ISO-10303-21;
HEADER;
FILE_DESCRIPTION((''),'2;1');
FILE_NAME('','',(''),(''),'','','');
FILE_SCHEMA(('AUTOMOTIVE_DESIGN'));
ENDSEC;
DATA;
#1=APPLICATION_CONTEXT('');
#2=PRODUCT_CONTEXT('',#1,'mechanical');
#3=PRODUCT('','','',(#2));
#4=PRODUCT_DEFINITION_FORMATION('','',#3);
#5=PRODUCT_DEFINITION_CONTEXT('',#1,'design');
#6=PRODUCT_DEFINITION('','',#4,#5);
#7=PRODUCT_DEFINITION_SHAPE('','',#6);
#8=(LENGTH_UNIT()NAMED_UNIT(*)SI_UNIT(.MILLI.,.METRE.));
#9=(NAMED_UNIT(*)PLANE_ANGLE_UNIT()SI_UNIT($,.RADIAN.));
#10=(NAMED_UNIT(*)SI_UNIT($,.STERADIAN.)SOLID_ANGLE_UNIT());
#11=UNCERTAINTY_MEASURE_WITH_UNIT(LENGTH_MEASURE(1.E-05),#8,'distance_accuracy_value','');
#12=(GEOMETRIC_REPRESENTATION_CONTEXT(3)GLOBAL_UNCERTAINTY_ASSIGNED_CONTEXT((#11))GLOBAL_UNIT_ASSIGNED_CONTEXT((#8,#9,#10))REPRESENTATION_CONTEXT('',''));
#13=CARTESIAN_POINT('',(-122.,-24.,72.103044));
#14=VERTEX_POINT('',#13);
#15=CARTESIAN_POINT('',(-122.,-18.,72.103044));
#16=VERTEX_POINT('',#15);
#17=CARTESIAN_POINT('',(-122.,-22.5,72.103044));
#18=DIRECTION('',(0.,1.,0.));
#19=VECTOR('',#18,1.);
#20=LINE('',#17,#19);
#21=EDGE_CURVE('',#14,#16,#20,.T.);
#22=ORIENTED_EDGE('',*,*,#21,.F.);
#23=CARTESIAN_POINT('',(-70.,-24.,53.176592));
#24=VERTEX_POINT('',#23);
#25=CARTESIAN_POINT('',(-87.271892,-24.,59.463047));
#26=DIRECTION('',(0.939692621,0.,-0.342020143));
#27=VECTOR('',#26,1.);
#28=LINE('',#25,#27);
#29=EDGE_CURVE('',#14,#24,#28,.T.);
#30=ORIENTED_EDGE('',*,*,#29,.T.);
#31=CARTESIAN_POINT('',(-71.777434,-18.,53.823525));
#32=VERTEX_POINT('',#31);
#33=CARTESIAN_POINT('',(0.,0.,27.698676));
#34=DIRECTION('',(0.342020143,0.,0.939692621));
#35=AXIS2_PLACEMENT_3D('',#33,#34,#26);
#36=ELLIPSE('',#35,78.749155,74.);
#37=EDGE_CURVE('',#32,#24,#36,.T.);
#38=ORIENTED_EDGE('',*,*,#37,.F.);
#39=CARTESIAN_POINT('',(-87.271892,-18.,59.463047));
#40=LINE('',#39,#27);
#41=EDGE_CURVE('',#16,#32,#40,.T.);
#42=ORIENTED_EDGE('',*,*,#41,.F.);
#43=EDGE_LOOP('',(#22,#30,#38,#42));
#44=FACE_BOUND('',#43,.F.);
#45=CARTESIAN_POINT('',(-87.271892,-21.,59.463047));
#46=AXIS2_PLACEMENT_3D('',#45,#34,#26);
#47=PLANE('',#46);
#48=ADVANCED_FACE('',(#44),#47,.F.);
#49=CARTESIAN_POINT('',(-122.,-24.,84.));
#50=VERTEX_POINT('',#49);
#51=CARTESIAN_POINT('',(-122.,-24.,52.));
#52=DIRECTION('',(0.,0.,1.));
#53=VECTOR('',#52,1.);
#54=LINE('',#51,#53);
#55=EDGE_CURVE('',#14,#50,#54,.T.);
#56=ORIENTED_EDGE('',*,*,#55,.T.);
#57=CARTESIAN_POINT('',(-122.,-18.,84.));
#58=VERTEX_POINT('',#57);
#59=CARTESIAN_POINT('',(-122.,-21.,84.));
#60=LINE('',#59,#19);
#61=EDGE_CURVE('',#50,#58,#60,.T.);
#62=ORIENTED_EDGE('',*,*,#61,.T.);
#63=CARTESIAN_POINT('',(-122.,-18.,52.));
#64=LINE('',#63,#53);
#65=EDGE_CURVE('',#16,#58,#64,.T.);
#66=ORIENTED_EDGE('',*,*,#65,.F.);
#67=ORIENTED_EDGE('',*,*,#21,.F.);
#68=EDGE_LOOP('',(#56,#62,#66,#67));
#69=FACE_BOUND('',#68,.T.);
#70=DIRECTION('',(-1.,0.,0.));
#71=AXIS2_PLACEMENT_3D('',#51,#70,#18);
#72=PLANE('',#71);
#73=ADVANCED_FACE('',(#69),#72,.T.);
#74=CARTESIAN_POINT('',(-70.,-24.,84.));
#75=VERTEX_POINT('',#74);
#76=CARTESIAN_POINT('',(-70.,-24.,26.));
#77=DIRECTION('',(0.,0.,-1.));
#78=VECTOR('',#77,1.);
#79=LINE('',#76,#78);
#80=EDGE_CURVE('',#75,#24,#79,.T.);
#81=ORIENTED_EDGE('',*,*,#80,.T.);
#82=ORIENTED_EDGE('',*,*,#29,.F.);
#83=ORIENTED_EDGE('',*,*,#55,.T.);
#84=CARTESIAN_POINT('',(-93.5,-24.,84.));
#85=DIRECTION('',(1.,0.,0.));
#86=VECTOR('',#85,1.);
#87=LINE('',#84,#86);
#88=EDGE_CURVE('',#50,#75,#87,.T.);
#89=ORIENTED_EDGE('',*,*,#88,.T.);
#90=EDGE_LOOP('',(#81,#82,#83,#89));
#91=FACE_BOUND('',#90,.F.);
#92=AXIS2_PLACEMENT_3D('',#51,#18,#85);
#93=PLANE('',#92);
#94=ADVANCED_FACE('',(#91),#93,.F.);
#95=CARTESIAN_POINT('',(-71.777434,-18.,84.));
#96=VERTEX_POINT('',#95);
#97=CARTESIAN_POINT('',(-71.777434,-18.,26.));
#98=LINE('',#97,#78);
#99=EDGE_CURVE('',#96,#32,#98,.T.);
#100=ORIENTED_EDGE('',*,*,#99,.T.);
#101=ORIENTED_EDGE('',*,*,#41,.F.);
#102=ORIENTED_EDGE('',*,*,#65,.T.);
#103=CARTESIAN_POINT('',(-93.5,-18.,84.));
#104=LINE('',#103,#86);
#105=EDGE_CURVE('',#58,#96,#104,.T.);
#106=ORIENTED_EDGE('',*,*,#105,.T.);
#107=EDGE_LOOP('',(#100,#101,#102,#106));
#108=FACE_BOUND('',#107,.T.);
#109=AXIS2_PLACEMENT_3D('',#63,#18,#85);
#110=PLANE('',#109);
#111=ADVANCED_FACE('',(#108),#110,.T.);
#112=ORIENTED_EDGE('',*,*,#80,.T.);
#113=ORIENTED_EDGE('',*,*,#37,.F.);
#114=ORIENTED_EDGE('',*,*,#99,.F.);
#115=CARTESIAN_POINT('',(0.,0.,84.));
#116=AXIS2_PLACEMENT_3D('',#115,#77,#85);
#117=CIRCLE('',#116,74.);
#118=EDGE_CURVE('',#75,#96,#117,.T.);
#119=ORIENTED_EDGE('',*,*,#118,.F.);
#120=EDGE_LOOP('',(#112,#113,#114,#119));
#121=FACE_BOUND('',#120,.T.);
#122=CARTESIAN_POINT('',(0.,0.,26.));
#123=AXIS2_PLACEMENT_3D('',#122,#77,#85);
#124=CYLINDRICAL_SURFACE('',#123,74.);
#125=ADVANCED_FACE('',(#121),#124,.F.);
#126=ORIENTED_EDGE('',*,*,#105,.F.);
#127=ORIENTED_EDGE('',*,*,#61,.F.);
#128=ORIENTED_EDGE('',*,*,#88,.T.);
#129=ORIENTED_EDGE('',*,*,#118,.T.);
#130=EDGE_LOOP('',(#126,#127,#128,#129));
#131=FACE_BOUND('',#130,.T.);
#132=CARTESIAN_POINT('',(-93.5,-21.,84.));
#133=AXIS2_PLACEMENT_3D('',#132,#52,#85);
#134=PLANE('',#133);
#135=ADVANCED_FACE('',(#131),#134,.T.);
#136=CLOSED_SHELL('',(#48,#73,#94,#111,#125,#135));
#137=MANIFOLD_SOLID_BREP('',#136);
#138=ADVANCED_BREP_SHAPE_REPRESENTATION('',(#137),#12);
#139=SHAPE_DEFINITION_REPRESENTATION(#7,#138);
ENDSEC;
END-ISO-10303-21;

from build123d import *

# Parameters (mm, degrees)
CYLINDER1793_R         = 74
CYLINDER1793_DEPTH     = 60
BOX751_W               = 80
BOX751_H               = 6
BOX751_DEPTH           = 20
BOX751_PLACEMENT_ANGLE = 20
BOX753_W               = 57
BOX753_H               = 6
BOX753_DEPTH           = 32


with BuildPart() as v_lec1793:
    # Cylinder1793 → Cylinder1793 (new body)
    with BuildSketch(Plane.XY.offset(26)):
        Circle(CYLINDER1793_R)
    extrude(amount=CYLINDER1793_DEPTH)


with BuildPart() as krychle751:
    # Box751 → Box751 (new body)
    with BuildSketch(Plane.XY):
        with Locations((40, 3)):
            Rectangle(BOX751_W, BOX751_H)
    extrude(amount=BOX751_DEPTH)


with BuildPart() as krychle751_1:
    # Box751 placement: moved
    add(krychle751.part.moved(Location((-131.7, -24, 54.35))).rotate(Axis((-131.7, -24, 54.35), (0, 1, 0)), BOX751_PLACEMENT_ANGLE))


with BuildPart() as cut554:
    # Box753 → Box753 (new body)
    with BuildSketch(Plane(origin=(-122, -24, 52), x_dir=(1, 0, 0), z_dir=(0, 0, 1))):
        with Locations((28.5, 3)):
            Rectangle(BOX753_W, BOX753_H)
    extrude(amount=BOX753_DEPTH)

    # Cut553: cut Krychle751
    add(krychle751_1.part, mode=Mode.SUBTRACT)

    # Cut554: cut Válec1793
    add(v_lec1793.part, mode=Mode.SUBTRACT)


solid = cut554.part
